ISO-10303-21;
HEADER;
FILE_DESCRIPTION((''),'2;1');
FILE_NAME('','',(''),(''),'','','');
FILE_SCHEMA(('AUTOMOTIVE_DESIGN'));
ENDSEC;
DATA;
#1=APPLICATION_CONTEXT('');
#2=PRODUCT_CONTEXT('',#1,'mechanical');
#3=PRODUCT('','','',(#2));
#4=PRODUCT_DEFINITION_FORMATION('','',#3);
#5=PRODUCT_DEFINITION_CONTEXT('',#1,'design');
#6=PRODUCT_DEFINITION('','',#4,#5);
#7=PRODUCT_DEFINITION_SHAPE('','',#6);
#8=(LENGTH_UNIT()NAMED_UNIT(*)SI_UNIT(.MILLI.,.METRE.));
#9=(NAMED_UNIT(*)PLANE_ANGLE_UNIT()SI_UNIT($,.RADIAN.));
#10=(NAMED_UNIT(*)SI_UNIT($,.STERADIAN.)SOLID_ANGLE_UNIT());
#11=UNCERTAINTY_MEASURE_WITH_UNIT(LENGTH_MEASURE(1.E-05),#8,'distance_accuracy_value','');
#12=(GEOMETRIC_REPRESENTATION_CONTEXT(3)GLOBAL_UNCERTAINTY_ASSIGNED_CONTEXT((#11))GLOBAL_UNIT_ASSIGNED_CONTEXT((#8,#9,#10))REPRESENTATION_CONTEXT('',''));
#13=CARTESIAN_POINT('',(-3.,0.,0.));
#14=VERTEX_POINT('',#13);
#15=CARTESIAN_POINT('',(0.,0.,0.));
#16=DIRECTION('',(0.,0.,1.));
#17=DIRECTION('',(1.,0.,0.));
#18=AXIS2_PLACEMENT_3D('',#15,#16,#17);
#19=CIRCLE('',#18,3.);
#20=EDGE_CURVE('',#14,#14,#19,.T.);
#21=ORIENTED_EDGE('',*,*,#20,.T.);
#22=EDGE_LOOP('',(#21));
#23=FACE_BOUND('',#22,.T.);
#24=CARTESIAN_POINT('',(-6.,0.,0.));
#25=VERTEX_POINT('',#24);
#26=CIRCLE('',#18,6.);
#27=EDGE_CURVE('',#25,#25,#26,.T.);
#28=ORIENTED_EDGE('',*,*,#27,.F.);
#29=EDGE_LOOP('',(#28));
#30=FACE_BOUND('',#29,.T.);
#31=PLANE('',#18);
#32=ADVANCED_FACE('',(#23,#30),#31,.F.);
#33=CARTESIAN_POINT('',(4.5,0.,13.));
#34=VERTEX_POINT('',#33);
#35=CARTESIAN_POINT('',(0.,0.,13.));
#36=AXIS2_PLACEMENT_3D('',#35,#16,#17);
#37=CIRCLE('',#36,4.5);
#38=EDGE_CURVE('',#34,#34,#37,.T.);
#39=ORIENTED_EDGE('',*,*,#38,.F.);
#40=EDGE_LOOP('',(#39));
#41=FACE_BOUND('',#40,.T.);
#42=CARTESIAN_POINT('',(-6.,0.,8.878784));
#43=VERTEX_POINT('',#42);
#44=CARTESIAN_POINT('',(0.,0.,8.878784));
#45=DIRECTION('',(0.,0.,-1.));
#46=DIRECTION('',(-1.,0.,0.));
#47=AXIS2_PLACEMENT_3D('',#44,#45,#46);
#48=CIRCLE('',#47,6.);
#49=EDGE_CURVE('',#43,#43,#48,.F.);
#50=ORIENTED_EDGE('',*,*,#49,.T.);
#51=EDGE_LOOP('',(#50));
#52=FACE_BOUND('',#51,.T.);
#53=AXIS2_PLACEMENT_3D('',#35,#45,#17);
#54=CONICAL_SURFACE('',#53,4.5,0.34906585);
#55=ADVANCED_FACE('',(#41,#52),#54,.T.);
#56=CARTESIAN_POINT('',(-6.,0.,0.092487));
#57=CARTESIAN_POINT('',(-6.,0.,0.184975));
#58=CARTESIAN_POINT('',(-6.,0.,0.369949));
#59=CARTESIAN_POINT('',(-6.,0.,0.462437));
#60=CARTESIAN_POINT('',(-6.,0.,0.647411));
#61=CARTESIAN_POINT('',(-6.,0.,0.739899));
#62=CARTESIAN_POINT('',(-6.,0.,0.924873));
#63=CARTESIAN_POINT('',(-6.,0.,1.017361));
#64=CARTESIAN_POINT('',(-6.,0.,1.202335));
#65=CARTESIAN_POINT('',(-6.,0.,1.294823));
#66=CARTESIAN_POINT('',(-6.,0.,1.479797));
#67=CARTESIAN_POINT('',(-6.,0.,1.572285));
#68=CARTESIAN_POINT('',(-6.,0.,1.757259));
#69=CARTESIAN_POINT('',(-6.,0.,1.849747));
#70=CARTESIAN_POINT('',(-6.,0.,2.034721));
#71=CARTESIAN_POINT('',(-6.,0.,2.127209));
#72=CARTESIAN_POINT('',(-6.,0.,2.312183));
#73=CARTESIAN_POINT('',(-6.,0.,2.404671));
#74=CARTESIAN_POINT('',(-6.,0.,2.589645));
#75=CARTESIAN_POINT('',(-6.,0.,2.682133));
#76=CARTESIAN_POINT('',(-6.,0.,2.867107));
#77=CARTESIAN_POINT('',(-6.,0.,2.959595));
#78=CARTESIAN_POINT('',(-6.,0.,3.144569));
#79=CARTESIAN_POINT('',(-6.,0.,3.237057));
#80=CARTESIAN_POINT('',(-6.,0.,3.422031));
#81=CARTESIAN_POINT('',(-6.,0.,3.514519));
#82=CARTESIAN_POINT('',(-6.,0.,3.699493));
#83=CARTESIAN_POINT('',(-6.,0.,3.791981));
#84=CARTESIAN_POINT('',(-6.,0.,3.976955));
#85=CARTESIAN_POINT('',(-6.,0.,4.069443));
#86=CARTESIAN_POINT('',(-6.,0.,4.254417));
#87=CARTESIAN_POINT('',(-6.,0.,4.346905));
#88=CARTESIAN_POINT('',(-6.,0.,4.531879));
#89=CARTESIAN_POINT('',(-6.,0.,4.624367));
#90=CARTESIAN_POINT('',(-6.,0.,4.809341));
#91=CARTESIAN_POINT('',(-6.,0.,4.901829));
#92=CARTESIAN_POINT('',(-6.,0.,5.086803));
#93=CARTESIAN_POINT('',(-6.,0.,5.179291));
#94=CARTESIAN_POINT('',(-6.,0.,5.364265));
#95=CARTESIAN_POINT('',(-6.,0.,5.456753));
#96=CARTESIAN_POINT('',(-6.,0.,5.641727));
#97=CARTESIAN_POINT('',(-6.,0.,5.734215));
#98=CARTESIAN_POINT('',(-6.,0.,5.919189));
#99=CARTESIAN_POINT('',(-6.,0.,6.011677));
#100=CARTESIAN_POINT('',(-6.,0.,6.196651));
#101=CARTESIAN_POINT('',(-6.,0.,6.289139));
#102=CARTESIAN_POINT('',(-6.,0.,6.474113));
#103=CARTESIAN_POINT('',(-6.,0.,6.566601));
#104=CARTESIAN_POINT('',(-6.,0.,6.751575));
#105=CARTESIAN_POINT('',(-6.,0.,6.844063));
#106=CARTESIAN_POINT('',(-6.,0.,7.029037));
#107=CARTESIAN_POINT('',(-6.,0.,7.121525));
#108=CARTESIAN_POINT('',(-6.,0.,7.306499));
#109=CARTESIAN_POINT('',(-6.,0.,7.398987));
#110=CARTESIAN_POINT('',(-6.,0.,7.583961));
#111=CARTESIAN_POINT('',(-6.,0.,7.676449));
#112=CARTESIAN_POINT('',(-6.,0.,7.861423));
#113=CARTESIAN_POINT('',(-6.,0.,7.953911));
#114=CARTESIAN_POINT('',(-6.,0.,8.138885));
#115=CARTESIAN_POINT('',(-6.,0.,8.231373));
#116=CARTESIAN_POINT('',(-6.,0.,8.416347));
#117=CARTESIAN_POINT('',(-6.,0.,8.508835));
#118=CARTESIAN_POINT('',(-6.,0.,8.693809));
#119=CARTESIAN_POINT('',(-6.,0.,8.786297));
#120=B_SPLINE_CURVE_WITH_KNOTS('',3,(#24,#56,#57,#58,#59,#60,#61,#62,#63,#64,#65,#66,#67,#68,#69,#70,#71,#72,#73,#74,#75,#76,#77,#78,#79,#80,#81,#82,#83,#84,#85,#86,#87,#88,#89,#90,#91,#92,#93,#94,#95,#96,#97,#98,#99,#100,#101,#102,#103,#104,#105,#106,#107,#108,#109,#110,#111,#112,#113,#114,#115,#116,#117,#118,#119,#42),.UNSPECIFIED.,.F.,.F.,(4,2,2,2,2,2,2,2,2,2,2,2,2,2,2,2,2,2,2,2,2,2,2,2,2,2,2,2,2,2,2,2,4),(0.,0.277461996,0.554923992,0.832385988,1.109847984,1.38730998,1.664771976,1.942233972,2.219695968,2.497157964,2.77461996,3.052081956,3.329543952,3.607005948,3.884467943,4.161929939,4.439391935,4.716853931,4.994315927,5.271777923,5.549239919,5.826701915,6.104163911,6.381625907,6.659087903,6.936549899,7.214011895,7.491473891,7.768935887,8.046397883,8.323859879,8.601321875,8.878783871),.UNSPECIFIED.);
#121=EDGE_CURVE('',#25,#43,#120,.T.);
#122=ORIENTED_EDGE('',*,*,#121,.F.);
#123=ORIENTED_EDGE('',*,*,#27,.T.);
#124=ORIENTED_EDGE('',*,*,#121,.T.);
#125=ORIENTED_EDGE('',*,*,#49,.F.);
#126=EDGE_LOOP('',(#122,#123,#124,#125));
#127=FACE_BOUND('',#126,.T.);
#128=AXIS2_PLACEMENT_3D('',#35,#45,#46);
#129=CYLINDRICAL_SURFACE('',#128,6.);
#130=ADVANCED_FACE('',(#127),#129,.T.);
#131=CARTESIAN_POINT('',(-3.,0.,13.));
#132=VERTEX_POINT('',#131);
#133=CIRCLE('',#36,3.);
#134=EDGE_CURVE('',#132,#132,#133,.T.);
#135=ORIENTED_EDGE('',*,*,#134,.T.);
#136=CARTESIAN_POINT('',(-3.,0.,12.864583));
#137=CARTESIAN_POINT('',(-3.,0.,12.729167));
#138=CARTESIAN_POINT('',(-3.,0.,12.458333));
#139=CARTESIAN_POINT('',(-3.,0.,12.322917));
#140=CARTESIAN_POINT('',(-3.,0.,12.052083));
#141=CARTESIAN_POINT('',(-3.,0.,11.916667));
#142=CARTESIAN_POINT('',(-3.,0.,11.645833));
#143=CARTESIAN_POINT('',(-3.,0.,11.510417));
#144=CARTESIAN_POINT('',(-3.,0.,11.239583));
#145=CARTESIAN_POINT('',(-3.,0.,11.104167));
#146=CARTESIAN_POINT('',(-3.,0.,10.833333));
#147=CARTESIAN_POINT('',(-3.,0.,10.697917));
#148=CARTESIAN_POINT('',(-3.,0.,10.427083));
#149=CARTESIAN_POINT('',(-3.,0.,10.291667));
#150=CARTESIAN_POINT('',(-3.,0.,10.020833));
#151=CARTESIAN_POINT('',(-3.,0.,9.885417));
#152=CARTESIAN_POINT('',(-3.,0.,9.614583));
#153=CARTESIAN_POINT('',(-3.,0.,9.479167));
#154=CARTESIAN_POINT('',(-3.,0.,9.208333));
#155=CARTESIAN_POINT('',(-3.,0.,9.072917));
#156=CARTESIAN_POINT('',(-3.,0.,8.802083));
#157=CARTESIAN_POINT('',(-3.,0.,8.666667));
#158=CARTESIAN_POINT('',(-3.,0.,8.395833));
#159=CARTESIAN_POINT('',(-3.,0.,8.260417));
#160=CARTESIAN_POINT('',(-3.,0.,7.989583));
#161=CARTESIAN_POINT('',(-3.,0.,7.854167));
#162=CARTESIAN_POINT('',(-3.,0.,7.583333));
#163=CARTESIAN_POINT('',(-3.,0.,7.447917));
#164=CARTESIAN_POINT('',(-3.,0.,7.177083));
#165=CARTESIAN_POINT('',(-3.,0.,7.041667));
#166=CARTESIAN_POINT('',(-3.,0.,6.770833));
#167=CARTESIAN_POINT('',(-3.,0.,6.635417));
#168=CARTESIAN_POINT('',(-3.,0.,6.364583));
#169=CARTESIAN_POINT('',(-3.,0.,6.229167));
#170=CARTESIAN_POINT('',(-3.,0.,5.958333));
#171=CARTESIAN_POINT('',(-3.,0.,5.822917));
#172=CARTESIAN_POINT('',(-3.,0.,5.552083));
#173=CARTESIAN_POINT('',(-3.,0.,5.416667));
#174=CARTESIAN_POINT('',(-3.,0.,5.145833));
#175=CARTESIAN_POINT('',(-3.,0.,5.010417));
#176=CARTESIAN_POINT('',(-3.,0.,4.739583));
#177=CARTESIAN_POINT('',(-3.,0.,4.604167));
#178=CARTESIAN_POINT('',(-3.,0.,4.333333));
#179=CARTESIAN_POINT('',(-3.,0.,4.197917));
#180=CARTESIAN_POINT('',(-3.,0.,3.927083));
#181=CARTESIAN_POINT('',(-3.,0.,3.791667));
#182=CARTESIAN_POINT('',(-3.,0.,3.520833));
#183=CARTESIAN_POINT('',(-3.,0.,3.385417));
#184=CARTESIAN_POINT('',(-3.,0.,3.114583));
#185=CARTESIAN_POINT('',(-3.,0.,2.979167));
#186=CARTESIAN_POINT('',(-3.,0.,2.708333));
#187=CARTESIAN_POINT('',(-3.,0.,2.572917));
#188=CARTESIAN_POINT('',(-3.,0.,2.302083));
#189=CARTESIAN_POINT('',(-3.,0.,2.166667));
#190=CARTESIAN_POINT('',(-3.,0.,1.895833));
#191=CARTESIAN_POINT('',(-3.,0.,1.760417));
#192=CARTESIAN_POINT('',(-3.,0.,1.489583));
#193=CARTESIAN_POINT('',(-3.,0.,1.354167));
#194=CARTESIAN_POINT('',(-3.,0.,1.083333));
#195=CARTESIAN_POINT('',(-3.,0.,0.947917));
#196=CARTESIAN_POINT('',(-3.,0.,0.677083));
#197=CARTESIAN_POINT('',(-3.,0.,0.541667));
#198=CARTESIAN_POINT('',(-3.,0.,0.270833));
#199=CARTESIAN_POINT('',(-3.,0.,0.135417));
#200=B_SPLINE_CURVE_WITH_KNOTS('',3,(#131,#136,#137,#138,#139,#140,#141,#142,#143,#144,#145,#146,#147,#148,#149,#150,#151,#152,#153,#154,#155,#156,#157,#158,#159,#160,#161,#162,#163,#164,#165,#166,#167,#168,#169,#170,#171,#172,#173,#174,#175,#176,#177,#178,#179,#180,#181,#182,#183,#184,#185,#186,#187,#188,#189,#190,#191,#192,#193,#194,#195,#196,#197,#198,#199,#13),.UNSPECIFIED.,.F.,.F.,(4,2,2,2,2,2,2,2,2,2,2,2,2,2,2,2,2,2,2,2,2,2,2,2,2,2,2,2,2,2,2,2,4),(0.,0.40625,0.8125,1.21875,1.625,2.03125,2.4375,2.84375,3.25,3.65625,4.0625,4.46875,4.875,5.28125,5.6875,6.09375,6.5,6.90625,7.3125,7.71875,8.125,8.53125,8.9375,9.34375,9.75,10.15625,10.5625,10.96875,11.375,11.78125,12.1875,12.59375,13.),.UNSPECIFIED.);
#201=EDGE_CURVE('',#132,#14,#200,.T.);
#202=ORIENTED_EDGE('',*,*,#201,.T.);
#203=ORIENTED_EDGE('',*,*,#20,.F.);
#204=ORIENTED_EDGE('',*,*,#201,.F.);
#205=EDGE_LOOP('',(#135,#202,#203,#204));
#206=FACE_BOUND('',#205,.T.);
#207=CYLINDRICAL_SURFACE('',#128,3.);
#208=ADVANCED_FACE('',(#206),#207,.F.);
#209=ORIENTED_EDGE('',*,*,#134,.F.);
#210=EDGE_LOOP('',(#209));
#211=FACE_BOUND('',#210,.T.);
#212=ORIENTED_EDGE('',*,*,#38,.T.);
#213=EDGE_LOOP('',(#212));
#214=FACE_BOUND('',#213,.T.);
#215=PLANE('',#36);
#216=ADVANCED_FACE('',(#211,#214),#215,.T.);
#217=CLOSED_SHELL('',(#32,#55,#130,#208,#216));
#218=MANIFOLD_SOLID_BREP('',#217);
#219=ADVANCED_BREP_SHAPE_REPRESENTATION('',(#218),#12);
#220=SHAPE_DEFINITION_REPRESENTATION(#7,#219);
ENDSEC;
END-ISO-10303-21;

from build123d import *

# Parameters (mm, degrees)
CROQUIS2_R              = 6
CROQUIS2_R_2            = 3
SALIENTE_EXTRUIR1_DEPTH = 13
CROQUIS3_OUTSIDE_W      = 21.916
CROQUIS3_OUTSIDE_H      = 21.916
CROQUIS3_OUTSIDE_R      = 4.5
CORTAR_EXTRUIR3_DEPTH   = 5
CORTAR_EXTRUIR3_DRAFT   = -20


with BuildPart() as part:
    # Croquis2 → Saliente-Extruir1 (new body)
    with BuildSketch(Plane.XY):
        with Locations(Location((0, 0, 0), (0, 0, 180))):
            Circle(CROQUIS2_R)
        with Locations(Location((0, 0, 0), (0, 0, 180))):
            Circle(CROQUIS2_R_2, mode=Mode.SUBTRACT)
    extrude(amount=SALIENTE_EXTRUIR1_DEPTH)


with BuildPart() as cortar_extruir3_tool:
    # Croquis3 outside → Cortar-Extruir3 (with draft: the straight prism first)
    with BuildSketch(Plane.XY.offset(13)):
        Rectangle(CROQUIS3_OUTSIDE_W, CROQUIS3_OUTSIDE_H)
        Circle(CROQUIS3_OUTSIDE_R, mode=Mode.SUBTRACT)
    extrude(amount=-CORTAR_EXTRUIR3_DEPTH)
    # Cortar-Extruir3: the draft: its side faces are tilted about the plane it starts from
    cortar_extruir3_sides = [cortar_extruir3_tool.faces().sort_by_distance(p)[0] for p in [
        (0, -10.958, 10.5),
        (10.958, 0, 10.5),
        (0, 10.958, 10.5),
        (-10.958, 0, 10.5),
        (-4.5, 0, 10.5),
    ]]
    draft(cortar_extruir3_sides, Plane.XY.offset(13), CORTAR_EXTRUIR3_DRAFT)


with BuildPart() as part_1:
    add(part.part)

    # Cortar-Extruir3: cut by cortar_extruir3_tool
    add(cortar_extruir3_tool.part, mode=Mode.SUBTRACT)


solid = part_1.part
